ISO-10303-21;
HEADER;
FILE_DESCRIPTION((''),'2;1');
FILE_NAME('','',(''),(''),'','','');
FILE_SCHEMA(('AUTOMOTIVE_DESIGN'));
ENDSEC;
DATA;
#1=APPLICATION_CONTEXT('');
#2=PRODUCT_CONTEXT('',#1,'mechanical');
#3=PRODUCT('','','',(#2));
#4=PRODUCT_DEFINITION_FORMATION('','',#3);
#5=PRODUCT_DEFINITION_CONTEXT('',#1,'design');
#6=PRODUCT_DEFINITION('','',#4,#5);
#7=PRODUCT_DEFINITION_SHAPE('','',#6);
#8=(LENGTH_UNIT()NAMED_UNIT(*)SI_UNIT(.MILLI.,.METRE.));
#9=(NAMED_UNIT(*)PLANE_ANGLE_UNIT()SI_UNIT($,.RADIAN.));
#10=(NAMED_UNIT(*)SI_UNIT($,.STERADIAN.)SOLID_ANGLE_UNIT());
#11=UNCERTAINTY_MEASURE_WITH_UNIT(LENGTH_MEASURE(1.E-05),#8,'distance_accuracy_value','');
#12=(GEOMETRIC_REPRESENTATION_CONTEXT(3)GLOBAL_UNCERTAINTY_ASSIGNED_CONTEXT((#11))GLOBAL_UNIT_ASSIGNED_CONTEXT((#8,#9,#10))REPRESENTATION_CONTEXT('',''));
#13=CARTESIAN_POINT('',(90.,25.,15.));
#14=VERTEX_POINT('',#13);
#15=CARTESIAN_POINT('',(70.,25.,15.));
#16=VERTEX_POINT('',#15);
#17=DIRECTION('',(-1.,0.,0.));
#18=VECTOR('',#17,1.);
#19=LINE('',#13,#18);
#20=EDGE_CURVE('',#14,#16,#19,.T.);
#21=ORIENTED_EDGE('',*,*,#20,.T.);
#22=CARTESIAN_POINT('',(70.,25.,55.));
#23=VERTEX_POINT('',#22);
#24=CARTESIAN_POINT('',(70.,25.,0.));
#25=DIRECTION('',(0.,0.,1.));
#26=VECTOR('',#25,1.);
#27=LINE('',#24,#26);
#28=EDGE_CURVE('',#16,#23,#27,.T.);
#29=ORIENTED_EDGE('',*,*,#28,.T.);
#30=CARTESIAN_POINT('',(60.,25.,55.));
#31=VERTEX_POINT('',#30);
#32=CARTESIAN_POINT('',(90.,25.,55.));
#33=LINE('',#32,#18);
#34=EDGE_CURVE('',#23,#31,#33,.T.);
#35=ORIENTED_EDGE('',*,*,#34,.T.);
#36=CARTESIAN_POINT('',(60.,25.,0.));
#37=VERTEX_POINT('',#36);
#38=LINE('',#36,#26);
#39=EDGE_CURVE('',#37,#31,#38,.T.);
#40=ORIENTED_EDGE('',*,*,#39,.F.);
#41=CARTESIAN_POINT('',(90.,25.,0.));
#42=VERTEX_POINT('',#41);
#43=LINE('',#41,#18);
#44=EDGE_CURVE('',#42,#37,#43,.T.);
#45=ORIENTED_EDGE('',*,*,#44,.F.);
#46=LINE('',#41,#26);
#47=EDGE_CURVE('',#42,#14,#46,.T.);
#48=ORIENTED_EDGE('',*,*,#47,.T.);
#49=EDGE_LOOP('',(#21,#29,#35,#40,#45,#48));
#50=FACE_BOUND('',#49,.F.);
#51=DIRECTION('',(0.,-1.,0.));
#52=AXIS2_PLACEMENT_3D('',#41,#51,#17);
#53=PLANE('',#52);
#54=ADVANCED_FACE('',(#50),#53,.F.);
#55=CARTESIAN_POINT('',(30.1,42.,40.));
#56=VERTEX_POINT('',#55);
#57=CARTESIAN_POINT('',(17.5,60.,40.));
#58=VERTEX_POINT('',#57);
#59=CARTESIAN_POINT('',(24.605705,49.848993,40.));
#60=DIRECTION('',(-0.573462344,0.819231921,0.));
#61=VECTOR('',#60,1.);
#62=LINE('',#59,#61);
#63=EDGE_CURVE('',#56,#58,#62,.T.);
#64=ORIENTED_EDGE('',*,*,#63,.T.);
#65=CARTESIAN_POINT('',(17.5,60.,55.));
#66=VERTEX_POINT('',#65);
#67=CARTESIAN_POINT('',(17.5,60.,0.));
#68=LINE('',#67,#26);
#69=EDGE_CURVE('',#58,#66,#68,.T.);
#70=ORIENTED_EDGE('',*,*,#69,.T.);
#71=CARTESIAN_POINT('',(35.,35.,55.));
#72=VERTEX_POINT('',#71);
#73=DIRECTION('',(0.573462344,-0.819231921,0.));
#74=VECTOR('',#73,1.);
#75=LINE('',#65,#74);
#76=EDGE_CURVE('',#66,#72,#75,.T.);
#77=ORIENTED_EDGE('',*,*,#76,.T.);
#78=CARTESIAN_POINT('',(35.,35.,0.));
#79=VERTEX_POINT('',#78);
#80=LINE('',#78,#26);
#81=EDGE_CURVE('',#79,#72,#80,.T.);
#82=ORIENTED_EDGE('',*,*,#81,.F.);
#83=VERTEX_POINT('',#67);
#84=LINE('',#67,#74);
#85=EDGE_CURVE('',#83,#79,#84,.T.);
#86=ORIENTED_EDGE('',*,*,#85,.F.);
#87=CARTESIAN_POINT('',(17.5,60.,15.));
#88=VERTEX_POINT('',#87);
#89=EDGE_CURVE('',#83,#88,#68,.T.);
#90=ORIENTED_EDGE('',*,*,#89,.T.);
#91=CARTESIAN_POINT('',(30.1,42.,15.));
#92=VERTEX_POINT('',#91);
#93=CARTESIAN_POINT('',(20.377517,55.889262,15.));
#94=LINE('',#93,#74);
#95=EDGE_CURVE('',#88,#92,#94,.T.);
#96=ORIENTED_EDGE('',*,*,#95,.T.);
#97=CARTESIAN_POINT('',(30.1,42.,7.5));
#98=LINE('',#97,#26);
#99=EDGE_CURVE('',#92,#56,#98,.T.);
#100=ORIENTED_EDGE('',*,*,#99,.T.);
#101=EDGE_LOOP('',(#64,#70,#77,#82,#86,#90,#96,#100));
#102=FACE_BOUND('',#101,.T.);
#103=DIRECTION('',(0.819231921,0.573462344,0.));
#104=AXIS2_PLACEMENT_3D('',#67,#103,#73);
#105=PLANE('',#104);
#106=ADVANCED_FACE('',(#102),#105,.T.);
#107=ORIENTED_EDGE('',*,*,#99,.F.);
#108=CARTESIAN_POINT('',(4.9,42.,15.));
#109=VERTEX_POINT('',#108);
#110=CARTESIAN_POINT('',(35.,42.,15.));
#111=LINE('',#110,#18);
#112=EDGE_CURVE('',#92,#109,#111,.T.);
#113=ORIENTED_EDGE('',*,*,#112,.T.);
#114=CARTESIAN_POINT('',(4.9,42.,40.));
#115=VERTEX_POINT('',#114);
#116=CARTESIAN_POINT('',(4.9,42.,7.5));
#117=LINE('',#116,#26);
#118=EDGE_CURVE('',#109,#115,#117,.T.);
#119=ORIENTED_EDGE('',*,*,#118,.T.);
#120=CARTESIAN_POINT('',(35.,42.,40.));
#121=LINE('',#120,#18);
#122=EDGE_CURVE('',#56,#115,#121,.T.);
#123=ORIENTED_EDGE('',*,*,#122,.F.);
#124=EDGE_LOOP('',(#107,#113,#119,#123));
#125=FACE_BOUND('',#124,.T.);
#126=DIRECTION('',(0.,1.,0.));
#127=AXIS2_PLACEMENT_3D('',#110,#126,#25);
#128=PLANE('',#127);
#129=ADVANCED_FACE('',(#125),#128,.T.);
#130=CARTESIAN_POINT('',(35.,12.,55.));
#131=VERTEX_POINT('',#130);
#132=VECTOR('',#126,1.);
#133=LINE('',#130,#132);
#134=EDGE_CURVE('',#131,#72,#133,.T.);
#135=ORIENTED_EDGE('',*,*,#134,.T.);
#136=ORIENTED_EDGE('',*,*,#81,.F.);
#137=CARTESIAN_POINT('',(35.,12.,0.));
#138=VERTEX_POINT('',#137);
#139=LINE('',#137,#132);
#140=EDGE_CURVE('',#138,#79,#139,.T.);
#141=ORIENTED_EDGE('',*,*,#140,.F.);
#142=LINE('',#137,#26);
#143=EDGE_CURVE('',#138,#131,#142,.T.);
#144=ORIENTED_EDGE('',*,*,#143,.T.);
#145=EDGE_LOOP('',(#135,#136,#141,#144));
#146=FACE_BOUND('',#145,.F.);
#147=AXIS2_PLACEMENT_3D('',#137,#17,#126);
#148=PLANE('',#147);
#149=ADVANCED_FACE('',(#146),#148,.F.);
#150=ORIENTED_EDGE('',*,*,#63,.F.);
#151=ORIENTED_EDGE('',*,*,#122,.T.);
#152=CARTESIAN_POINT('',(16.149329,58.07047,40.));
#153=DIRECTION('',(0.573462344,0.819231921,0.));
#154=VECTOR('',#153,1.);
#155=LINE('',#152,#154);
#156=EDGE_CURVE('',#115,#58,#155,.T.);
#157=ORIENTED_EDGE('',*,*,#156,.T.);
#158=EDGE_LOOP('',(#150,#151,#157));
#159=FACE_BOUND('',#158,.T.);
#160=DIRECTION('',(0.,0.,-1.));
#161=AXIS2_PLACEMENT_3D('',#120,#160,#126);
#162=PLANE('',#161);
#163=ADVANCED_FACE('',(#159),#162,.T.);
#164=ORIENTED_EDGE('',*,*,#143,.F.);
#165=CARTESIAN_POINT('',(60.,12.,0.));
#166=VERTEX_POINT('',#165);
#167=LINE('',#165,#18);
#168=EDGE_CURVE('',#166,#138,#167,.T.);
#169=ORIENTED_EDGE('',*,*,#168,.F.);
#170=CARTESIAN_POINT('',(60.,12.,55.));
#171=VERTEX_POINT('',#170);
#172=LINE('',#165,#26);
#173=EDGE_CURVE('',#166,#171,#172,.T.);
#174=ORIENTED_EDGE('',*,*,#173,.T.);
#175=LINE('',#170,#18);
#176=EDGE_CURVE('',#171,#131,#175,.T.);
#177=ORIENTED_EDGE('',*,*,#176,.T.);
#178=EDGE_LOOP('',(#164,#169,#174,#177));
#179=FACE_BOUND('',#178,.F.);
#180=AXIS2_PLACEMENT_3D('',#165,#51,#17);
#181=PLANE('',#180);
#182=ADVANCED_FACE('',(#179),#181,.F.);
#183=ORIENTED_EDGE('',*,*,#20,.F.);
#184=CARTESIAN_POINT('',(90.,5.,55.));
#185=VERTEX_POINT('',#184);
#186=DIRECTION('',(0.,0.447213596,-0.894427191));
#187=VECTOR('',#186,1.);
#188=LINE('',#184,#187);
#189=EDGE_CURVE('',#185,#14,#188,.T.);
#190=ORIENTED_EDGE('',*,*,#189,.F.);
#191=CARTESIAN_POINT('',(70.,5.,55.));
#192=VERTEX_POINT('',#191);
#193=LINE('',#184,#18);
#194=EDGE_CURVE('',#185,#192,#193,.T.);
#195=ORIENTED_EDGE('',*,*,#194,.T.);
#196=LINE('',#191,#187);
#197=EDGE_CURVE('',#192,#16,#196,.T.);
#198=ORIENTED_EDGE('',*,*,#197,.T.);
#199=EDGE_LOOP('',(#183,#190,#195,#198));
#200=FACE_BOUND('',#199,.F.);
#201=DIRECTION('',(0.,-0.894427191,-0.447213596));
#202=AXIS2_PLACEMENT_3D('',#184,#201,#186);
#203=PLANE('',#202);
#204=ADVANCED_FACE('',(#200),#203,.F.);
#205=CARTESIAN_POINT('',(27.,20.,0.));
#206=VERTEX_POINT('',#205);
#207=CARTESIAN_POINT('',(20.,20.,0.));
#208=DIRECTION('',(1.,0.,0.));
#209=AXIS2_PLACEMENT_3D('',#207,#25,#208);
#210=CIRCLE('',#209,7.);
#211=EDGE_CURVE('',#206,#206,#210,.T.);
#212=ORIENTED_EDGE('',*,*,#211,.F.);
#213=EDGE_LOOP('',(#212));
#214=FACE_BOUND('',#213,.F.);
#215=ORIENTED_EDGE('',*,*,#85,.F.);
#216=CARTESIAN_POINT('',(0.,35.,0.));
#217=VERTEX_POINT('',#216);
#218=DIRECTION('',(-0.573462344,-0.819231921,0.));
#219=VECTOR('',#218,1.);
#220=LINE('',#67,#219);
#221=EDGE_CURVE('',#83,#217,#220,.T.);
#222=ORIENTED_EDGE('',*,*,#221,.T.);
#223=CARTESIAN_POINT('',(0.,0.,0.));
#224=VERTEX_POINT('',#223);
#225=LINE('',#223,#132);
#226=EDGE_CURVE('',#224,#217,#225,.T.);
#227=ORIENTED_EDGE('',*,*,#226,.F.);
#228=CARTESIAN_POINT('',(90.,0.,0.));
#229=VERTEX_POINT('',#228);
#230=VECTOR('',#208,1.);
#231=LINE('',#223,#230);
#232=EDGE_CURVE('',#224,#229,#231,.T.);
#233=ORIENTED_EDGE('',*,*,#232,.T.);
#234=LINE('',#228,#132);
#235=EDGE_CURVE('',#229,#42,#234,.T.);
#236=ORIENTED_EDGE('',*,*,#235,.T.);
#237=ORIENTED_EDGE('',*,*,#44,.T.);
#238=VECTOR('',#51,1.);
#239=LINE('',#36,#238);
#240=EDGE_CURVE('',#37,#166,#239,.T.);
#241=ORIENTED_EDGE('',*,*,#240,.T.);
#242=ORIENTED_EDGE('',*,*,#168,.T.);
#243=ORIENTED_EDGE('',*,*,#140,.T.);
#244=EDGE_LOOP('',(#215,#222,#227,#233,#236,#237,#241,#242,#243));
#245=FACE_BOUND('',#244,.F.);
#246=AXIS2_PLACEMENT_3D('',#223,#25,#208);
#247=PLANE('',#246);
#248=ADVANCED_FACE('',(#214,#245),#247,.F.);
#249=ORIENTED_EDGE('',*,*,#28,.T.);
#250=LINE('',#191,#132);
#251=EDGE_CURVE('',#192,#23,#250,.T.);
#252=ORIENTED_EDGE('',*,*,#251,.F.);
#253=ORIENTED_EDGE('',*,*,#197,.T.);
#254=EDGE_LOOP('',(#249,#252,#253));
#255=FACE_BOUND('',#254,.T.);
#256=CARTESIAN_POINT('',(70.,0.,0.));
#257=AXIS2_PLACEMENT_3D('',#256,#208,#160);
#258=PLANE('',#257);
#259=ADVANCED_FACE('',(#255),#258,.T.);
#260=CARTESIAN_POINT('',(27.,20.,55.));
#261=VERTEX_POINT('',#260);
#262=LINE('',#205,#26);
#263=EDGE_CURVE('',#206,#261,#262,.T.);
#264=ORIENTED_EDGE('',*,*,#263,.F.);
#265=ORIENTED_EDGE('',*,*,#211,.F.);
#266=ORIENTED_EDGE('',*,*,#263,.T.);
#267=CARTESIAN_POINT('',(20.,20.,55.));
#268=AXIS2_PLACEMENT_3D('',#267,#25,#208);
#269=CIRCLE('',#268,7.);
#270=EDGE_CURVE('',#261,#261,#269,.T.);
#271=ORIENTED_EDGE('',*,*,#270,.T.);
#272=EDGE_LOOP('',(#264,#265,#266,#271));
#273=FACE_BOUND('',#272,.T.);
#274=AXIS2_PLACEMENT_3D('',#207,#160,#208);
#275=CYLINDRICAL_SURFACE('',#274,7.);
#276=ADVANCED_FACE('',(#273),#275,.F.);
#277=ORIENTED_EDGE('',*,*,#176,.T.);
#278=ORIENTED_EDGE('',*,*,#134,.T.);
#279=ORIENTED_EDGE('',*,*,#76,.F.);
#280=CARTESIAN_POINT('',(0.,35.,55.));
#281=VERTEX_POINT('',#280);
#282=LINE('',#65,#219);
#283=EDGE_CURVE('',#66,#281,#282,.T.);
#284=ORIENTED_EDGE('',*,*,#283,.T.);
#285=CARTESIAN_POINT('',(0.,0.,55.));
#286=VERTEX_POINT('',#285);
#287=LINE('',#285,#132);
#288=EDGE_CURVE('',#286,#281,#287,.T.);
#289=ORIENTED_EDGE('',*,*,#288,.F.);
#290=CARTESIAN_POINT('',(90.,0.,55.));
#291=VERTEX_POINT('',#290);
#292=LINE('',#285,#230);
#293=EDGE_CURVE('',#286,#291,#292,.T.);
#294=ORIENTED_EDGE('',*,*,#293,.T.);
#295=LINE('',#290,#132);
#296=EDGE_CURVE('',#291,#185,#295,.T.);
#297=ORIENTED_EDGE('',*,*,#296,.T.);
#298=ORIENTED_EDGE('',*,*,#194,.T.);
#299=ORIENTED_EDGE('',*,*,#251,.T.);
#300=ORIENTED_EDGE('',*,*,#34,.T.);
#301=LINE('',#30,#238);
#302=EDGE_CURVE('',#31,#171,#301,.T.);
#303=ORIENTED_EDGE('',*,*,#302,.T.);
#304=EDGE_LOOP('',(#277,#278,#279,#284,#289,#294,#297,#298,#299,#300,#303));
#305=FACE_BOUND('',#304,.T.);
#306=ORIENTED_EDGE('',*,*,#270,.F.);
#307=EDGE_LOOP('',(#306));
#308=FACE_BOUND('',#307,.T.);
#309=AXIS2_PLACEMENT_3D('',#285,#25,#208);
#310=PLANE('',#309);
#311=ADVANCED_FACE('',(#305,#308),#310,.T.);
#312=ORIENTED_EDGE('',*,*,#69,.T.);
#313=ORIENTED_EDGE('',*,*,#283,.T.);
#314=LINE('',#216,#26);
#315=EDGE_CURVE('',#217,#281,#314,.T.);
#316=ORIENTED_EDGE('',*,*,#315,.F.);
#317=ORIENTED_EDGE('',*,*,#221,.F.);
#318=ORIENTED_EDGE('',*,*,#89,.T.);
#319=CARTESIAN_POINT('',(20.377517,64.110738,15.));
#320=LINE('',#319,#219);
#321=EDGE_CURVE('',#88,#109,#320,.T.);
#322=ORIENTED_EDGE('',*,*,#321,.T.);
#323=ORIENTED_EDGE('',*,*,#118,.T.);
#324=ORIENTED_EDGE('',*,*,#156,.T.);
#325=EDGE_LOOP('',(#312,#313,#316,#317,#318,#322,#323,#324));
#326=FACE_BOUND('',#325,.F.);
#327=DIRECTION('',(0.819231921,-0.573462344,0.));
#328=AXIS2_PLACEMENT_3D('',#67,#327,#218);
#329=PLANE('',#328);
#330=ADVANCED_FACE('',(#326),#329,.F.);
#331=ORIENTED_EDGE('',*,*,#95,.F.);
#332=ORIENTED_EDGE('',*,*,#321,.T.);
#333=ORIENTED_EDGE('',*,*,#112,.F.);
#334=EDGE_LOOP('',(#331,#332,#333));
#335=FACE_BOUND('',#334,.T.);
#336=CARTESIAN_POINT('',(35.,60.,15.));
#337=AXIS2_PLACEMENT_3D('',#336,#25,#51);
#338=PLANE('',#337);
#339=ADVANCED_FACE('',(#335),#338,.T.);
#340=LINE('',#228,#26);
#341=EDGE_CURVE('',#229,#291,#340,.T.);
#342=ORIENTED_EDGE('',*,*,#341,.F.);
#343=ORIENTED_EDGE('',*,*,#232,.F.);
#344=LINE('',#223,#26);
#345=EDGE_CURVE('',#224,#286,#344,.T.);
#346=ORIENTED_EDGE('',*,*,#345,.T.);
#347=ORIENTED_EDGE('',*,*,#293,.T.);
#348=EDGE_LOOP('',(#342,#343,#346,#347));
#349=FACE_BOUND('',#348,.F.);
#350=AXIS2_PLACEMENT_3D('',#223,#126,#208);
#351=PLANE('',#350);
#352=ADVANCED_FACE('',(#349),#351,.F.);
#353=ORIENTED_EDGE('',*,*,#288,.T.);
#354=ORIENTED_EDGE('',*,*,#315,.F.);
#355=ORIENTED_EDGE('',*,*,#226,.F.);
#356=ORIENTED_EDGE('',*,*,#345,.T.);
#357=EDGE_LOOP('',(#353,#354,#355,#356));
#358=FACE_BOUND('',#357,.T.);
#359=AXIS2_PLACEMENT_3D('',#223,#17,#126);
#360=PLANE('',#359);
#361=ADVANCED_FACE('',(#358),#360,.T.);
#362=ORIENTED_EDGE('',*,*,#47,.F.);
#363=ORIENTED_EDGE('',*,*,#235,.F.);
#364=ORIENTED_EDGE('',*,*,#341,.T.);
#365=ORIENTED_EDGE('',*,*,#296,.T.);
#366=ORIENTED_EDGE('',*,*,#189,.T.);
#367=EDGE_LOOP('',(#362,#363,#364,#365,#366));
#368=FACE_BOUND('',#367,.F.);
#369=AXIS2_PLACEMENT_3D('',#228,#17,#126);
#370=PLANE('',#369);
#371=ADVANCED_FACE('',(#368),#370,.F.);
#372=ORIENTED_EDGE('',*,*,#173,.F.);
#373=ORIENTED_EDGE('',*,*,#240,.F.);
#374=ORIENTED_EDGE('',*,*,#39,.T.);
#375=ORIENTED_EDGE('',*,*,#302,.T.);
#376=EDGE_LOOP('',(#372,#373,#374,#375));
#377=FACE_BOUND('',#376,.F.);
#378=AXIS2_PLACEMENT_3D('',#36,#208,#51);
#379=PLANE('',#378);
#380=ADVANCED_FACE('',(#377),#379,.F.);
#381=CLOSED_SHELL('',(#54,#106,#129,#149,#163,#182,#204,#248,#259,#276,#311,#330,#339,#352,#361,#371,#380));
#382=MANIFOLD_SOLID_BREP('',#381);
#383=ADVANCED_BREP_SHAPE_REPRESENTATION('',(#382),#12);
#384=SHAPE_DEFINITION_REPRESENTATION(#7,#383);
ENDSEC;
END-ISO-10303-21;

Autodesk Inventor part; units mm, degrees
ref_plane "YZ Plane" through (0, 0, 0) normal (1, 0, 0) x (0, 1, 0)
ref_plane "XZ Plane" through (0, 0, 0) normal (0, 1, 0) x (-1, 0, 0)
ref_plane "XY Plane" through (0, 0, 0) normal (0, 0, 1) x (1, 0, 0)
sketch "Sketch1" plane through (0, 0, 0) normal (0, 0, 1) x (1, 0, 0)
  line L0 (0, 0) -> (90, 0)
  line L1 (90, 0) -> (90, 25)
  line L2 (90, 25) -> (60, 25)
  line L3 (60, 25) -> (60, 12)
  line L4 (60, 12) -> (35, 12)
  line L5 (35, 12) -> (35, 35)
  line L6 (0, 0) -> (0, 35)
  line L7 (17.5, 60) -> (0, 35)
  line L8 (17.5, 60) -> (35, 35)
  circle A0 centre (20, 20) radius 7
  dimension "d0" = 90
  dimension "d1" = 25
extrude "Extrusion1" add sketch "Sketch1" along normal blind 55
sketch "Sketch2" plane through (90, 0, 0) normal (1, 0, 0) x (0, 0, -1)
  line L0 (0, 25) -> (-55, 25) projected
  line L1 (-15, 25) -> (-55, 25)
  line L2 (-55, 35) -> (-55, 0) projected
  line L3 (-55, 5) -> (-15, 25)
  line L4 (-55, 25) -> (-55, 5)
  line L5 (-55, 12) -> (-55, 35) projected
  point P0 (0, 0)
extrude "Extrusion2" cut sketch "Sketch2" against normal blind 20
sketch "Sketch3" plane through (35, 12, 0) normal (1, 0, 0) x (0, 0, -1)
  line L0 (0, 48) -> (-55, 48) projected
  line L1 (-15, 48) -> (-15, 30)
  line L2 (0, 23) -> (-55, 23) projected
  line L3 (-15, 30) -> (-40, 30)
  line L4 (-40, 30) -> (-40, 48)
  line L5 (-15, 48) -> (-40, 48)
  point P0 (0, -12)
  dimension "d6" = 18
extrude "Extrusion3" cut sketch "Sketch3" against normal blind 35
properties part number "P4-10"
